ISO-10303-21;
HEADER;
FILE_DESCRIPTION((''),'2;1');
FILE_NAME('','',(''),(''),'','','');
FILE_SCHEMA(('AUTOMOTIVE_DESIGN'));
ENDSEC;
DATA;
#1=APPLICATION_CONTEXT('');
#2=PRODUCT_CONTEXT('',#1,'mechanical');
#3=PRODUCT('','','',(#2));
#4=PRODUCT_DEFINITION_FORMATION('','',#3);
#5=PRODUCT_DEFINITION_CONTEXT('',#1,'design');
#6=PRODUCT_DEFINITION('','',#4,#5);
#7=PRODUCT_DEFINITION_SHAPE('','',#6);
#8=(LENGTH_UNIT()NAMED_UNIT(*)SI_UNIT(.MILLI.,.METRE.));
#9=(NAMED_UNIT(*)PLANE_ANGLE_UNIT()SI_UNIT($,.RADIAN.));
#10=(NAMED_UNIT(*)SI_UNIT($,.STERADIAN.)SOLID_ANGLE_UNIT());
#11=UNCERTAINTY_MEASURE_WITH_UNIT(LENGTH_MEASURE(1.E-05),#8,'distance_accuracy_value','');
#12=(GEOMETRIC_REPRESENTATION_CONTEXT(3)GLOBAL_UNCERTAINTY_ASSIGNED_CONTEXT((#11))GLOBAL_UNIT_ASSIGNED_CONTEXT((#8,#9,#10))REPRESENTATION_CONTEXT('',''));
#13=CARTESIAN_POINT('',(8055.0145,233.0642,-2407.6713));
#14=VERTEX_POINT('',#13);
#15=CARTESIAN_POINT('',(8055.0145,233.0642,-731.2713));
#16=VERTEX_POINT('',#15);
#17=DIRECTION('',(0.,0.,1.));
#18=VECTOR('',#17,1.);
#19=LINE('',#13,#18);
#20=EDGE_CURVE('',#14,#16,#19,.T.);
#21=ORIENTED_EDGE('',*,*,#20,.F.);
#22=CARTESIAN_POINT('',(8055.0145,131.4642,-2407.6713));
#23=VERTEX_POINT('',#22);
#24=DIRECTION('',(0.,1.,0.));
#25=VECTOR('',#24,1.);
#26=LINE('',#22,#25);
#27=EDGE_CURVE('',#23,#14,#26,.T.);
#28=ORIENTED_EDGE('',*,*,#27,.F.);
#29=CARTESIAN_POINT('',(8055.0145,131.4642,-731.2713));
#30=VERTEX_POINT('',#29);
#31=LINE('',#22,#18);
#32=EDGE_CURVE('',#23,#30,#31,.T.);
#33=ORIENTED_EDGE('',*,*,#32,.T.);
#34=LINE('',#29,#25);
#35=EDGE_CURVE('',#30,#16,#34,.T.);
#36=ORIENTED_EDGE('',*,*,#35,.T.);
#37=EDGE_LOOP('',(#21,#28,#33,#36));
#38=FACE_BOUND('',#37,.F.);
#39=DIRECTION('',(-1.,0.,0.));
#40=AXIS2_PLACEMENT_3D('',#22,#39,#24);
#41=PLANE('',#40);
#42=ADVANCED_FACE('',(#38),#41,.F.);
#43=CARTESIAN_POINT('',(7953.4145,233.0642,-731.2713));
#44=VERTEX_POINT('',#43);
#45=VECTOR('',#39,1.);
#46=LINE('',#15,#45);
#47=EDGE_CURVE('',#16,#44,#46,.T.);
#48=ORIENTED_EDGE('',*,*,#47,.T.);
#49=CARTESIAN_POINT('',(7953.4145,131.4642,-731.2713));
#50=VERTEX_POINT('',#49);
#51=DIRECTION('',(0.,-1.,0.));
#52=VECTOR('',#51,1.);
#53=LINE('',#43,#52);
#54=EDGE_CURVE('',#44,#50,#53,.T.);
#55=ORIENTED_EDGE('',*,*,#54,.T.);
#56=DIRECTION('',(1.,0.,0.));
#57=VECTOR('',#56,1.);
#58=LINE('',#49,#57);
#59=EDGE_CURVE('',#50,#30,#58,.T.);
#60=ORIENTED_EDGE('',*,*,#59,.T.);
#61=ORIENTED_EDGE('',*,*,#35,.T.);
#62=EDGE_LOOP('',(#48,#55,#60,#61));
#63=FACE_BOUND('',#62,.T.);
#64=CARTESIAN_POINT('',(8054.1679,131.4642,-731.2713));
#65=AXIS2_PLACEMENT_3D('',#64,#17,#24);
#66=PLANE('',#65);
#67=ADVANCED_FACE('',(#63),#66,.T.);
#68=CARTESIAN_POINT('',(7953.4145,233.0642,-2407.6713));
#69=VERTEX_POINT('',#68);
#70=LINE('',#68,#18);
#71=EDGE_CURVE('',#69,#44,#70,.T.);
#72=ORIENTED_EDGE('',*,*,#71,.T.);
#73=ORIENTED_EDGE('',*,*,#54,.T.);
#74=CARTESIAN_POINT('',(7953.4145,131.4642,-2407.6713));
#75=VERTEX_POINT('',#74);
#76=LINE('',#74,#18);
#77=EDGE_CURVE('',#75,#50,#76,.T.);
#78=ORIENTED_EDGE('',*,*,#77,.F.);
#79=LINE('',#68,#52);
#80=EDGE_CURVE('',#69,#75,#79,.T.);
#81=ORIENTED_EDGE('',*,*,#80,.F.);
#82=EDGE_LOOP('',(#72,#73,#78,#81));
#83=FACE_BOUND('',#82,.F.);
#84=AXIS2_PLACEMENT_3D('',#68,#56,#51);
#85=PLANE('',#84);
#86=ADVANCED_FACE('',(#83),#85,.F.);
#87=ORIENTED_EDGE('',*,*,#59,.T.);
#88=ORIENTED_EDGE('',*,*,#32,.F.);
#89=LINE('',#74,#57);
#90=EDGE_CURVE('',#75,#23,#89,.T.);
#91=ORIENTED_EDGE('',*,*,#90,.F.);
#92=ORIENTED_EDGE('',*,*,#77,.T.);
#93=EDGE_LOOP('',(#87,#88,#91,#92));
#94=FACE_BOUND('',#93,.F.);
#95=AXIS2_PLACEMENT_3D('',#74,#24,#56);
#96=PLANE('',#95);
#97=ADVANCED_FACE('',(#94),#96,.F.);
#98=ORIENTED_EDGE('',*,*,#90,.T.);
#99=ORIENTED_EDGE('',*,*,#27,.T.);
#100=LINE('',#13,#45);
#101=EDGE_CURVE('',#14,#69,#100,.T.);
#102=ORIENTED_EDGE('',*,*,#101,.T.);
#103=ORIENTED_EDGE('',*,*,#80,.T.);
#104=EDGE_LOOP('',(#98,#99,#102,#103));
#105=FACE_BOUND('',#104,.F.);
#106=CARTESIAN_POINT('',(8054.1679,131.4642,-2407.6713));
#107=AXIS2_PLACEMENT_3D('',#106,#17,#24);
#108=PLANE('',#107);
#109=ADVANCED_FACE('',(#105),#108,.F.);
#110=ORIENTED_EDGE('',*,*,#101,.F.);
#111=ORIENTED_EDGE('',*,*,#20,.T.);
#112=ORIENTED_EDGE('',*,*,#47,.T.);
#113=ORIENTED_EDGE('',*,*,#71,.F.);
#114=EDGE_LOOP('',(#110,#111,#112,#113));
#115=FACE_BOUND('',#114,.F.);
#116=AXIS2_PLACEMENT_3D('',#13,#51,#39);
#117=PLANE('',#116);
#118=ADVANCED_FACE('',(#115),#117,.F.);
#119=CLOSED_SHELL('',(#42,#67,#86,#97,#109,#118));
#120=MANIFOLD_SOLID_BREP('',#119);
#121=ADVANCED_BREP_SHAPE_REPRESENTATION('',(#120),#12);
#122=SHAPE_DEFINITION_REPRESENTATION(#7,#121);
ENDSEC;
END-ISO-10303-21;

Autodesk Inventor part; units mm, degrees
ref_plane "YZ Plane" through (0, 0, 0) normal (1, 0, 0) x (0, 1, 0)
ref_plane "XZ Plane" through (0, 0, 0) normal (0, 1, 0) x (-1, 0, 0)
ref_plane "XY Plane" through (0, 0, 0) normal (0, 0, 1) x (1, 0, 0)
ref_plane "Work Plane2" through (8054.1679, 131.4642, -2407.6713) normal (0, 0, 1) x (0, 1, 0)
sketch "Sketch1" plane through (8054.1679, 131.4642, -2407.6713) normal (0, 0, 1) x (0, 1, 0)
  line L0 (0, -0.8466) -> (101.6, -0.8466)
  line L1 (101.6, -0.8466) -> (101.6, 100.7534)
  line L2 (101.6, 100.7534) -> (0, 100.7534)
  line L3 (0, 100.7534) -> (0, -0.8466)
  point P0 (-131.4642, 8054.1679)
  dimension "d0" = 101.6
  dimension "d1" = 101.6
extrude "Extrusion1" add sketch "Sketch1" along normal blind 1676.4
properties part number "4x4x66" material "Wood (Birch)"
